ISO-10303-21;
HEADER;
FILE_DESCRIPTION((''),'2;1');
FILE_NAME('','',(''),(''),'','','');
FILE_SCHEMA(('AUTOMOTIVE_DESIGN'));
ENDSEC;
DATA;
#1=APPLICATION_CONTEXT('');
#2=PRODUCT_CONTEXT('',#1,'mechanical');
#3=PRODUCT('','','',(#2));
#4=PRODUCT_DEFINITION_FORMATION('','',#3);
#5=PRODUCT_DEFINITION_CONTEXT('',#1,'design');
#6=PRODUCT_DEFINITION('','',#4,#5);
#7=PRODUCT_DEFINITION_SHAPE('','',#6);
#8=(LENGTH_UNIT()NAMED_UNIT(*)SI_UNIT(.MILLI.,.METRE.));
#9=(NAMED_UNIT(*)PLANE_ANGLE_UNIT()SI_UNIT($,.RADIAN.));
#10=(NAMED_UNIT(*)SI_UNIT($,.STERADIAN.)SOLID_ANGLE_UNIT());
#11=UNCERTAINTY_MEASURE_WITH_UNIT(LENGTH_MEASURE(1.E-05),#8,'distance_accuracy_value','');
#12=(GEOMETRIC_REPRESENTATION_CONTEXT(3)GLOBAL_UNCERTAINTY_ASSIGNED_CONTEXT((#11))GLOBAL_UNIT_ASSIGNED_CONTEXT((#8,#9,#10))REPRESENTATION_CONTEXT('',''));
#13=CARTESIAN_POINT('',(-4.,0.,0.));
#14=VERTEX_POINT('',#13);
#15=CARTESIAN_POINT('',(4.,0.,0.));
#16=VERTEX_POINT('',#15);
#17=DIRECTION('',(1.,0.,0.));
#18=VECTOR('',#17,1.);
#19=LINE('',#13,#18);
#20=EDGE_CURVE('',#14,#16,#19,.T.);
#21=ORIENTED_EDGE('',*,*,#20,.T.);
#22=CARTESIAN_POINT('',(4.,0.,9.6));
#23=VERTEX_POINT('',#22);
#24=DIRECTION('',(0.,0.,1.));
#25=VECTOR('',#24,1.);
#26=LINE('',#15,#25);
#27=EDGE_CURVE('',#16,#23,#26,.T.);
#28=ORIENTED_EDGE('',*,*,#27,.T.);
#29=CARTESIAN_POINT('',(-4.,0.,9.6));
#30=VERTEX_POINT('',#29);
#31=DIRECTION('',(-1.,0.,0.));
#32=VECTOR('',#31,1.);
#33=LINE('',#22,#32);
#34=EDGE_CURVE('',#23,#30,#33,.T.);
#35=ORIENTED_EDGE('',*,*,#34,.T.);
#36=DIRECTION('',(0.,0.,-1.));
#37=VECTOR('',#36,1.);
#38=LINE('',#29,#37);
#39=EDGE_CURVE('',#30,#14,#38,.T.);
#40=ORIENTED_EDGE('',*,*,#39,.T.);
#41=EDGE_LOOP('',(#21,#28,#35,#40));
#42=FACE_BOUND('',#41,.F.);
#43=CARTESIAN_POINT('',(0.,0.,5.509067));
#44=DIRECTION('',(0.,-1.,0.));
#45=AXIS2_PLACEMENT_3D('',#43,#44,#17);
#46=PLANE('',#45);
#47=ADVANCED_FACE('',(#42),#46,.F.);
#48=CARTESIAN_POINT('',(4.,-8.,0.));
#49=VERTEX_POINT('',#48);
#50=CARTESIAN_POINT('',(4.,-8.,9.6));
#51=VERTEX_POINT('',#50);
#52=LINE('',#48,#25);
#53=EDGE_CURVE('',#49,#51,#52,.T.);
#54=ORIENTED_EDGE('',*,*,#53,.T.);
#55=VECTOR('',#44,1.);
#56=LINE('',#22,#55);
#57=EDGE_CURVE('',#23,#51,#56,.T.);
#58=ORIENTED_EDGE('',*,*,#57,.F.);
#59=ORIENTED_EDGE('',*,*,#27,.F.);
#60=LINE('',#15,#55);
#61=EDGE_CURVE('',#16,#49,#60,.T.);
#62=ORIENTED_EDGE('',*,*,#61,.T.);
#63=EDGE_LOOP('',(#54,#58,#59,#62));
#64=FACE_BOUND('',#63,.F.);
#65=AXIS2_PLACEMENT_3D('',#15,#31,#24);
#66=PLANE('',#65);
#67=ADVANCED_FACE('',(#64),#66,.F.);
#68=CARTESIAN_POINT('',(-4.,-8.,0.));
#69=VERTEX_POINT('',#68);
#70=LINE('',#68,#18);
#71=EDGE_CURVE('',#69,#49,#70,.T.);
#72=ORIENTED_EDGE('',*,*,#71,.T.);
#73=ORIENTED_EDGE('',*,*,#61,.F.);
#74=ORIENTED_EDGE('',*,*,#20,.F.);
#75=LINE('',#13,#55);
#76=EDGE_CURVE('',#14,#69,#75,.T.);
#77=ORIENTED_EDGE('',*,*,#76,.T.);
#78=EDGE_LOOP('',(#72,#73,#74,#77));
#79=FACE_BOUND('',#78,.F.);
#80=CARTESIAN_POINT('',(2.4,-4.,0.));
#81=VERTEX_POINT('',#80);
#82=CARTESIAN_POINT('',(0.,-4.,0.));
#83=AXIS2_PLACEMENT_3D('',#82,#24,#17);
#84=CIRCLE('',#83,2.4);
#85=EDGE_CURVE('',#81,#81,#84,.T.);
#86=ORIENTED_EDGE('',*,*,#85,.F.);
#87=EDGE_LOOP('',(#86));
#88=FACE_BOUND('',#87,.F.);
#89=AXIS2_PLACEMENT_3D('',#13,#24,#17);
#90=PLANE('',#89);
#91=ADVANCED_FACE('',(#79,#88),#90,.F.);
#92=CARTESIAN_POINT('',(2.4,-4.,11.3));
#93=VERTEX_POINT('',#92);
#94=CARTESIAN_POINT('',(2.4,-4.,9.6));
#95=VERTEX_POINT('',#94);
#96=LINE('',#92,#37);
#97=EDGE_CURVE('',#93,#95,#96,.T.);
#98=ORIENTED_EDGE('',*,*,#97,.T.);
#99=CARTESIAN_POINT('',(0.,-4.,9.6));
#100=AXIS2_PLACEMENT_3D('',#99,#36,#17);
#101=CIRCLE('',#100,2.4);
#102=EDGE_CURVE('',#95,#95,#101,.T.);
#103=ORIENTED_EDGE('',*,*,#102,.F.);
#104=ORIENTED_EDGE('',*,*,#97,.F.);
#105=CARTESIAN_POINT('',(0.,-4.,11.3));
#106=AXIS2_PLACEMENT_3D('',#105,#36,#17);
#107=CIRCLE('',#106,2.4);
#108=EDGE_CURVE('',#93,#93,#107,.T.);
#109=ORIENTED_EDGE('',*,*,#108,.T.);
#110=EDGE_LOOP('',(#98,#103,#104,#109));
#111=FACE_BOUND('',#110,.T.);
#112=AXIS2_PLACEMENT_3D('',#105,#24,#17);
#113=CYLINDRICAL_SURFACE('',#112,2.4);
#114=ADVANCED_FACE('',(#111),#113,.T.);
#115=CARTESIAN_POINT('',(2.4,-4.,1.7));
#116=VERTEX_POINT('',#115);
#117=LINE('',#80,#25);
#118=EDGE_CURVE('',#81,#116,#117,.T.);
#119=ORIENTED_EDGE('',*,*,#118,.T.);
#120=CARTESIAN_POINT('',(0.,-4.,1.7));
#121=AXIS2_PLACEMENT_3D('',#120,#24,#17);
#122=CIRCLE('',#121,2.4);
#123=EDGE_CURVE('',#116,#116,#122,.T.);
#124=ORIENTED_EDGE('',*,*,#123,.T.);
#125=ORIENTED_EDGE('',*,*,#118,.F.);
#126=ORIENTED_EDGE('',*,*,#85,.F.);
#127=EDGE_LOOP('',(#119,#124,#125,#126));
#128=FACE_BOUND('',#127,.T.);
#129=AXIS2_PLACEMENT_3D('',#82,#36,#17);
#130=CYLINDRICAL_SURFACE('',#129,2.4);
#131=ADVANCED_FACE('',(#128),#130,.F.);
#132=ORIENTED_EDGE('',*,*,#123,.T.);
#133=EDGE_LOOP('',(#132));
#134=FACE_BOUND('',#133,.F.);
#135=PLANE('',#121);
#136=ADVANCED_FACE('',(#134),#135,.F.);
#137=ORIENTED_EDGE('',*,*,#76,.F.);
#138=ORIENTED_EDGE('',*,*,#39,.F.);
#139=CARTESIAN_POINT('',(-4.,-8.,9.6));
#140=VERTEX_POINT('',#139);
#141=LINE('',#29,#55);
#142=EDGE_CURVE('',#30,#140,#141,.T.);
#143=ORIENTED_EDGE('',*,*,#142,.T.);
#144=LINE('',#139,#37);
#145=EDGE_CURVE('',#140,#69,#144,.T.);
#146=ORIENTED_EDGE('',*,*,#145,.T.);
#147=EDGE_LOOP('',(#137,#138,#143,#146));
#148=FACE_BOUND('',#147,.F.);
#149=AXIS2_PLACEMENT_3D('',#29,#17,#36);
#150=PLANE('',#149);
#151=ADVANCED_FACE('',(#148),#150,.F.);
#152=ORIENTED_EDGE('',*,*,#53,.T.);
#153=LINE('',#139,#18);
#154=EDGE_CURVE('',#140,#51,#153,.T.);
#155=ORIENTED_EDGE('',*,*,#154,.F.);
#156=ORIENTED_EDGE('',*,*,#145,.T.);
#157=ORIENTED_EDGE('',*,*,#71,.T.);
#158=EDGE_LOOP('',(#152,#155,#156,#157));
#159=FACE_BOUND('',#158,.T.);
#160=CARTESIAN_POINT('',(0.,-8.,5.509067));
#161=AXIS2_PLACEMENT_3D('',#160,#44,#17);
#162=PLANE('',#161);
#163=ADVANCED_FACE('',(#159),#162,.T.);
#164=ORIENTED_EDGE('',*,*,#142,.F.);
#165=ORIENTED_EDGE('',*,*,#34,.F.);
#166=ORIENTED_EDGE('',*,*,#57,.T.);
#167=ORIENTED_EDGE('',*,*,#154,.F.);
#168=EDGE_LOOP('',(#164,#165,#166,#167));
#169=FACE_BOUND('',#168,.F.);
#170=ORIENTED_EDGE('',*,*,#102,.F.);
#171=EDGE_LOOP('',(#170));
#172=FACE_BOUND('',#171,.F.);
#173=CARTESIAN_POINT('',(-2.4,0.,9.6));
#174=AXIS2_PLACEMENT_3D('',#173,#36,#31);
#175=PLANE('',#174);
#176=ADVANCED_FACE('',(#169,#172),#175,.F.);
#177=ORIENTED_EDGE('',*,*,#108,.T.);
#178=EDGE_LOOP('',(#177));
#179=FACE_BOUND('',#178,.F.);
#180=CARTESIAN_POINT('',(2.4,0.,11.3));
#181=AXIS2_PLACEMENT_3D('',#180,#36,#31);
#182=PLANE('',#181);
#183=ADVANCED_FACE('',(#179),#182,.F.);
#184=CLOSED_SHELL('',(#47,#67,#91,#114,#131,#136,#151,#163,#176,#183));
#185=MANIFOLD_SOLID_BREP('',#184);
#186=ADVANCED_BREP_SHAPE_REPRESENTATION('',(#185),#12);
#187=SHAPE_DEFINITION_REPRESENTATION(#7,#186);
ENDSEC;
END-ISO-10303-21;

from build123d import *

# Parameters (mm, degrees)
F1_DEPTH = 8
F3_W     = 8
F3_H     = 8
F3_R     = 2.4
F4_DEPTH = 1.7
F5_R     = 2.4
F6_DEPTH = 1.7


with BuildPart() as f1:
    # F0 (on Front) → F1 (new body)
    with BuildSketch(Plane.XZ):
        Polygon((-2.4, 9.6), (-4, 9.6), (-4, 0), (4, 0), (4, 9.6), (2.4, 9.6), (2.4, 11.3), (-2.4, 11.3), align=None)
    extrude(amount=F1_DEPTH)

    # F3 (on plane+point) → F4 (cut, through all)
    with BuildSketch(Plane.XY.offset(11.3)):
        with Locations((0, -4)):
            Rectangle(F3_W, F3_H)
        with Locations((0, -4)):
            Circle(F3_R, mode=Mode.SUBTRACT)
    extrude(amount=-F4_DEPTH, mode=Mode.SUBTRACT)

    # F5 (on Top) → F6 (cut)
    with BuildSketch(Plane.XY):
        with Locations((0, -4)):
            Circle(F5_R)
    extrude(amount=F6_DEPTH, mode=Mode.SUBTRACT)


solid = f1.part
